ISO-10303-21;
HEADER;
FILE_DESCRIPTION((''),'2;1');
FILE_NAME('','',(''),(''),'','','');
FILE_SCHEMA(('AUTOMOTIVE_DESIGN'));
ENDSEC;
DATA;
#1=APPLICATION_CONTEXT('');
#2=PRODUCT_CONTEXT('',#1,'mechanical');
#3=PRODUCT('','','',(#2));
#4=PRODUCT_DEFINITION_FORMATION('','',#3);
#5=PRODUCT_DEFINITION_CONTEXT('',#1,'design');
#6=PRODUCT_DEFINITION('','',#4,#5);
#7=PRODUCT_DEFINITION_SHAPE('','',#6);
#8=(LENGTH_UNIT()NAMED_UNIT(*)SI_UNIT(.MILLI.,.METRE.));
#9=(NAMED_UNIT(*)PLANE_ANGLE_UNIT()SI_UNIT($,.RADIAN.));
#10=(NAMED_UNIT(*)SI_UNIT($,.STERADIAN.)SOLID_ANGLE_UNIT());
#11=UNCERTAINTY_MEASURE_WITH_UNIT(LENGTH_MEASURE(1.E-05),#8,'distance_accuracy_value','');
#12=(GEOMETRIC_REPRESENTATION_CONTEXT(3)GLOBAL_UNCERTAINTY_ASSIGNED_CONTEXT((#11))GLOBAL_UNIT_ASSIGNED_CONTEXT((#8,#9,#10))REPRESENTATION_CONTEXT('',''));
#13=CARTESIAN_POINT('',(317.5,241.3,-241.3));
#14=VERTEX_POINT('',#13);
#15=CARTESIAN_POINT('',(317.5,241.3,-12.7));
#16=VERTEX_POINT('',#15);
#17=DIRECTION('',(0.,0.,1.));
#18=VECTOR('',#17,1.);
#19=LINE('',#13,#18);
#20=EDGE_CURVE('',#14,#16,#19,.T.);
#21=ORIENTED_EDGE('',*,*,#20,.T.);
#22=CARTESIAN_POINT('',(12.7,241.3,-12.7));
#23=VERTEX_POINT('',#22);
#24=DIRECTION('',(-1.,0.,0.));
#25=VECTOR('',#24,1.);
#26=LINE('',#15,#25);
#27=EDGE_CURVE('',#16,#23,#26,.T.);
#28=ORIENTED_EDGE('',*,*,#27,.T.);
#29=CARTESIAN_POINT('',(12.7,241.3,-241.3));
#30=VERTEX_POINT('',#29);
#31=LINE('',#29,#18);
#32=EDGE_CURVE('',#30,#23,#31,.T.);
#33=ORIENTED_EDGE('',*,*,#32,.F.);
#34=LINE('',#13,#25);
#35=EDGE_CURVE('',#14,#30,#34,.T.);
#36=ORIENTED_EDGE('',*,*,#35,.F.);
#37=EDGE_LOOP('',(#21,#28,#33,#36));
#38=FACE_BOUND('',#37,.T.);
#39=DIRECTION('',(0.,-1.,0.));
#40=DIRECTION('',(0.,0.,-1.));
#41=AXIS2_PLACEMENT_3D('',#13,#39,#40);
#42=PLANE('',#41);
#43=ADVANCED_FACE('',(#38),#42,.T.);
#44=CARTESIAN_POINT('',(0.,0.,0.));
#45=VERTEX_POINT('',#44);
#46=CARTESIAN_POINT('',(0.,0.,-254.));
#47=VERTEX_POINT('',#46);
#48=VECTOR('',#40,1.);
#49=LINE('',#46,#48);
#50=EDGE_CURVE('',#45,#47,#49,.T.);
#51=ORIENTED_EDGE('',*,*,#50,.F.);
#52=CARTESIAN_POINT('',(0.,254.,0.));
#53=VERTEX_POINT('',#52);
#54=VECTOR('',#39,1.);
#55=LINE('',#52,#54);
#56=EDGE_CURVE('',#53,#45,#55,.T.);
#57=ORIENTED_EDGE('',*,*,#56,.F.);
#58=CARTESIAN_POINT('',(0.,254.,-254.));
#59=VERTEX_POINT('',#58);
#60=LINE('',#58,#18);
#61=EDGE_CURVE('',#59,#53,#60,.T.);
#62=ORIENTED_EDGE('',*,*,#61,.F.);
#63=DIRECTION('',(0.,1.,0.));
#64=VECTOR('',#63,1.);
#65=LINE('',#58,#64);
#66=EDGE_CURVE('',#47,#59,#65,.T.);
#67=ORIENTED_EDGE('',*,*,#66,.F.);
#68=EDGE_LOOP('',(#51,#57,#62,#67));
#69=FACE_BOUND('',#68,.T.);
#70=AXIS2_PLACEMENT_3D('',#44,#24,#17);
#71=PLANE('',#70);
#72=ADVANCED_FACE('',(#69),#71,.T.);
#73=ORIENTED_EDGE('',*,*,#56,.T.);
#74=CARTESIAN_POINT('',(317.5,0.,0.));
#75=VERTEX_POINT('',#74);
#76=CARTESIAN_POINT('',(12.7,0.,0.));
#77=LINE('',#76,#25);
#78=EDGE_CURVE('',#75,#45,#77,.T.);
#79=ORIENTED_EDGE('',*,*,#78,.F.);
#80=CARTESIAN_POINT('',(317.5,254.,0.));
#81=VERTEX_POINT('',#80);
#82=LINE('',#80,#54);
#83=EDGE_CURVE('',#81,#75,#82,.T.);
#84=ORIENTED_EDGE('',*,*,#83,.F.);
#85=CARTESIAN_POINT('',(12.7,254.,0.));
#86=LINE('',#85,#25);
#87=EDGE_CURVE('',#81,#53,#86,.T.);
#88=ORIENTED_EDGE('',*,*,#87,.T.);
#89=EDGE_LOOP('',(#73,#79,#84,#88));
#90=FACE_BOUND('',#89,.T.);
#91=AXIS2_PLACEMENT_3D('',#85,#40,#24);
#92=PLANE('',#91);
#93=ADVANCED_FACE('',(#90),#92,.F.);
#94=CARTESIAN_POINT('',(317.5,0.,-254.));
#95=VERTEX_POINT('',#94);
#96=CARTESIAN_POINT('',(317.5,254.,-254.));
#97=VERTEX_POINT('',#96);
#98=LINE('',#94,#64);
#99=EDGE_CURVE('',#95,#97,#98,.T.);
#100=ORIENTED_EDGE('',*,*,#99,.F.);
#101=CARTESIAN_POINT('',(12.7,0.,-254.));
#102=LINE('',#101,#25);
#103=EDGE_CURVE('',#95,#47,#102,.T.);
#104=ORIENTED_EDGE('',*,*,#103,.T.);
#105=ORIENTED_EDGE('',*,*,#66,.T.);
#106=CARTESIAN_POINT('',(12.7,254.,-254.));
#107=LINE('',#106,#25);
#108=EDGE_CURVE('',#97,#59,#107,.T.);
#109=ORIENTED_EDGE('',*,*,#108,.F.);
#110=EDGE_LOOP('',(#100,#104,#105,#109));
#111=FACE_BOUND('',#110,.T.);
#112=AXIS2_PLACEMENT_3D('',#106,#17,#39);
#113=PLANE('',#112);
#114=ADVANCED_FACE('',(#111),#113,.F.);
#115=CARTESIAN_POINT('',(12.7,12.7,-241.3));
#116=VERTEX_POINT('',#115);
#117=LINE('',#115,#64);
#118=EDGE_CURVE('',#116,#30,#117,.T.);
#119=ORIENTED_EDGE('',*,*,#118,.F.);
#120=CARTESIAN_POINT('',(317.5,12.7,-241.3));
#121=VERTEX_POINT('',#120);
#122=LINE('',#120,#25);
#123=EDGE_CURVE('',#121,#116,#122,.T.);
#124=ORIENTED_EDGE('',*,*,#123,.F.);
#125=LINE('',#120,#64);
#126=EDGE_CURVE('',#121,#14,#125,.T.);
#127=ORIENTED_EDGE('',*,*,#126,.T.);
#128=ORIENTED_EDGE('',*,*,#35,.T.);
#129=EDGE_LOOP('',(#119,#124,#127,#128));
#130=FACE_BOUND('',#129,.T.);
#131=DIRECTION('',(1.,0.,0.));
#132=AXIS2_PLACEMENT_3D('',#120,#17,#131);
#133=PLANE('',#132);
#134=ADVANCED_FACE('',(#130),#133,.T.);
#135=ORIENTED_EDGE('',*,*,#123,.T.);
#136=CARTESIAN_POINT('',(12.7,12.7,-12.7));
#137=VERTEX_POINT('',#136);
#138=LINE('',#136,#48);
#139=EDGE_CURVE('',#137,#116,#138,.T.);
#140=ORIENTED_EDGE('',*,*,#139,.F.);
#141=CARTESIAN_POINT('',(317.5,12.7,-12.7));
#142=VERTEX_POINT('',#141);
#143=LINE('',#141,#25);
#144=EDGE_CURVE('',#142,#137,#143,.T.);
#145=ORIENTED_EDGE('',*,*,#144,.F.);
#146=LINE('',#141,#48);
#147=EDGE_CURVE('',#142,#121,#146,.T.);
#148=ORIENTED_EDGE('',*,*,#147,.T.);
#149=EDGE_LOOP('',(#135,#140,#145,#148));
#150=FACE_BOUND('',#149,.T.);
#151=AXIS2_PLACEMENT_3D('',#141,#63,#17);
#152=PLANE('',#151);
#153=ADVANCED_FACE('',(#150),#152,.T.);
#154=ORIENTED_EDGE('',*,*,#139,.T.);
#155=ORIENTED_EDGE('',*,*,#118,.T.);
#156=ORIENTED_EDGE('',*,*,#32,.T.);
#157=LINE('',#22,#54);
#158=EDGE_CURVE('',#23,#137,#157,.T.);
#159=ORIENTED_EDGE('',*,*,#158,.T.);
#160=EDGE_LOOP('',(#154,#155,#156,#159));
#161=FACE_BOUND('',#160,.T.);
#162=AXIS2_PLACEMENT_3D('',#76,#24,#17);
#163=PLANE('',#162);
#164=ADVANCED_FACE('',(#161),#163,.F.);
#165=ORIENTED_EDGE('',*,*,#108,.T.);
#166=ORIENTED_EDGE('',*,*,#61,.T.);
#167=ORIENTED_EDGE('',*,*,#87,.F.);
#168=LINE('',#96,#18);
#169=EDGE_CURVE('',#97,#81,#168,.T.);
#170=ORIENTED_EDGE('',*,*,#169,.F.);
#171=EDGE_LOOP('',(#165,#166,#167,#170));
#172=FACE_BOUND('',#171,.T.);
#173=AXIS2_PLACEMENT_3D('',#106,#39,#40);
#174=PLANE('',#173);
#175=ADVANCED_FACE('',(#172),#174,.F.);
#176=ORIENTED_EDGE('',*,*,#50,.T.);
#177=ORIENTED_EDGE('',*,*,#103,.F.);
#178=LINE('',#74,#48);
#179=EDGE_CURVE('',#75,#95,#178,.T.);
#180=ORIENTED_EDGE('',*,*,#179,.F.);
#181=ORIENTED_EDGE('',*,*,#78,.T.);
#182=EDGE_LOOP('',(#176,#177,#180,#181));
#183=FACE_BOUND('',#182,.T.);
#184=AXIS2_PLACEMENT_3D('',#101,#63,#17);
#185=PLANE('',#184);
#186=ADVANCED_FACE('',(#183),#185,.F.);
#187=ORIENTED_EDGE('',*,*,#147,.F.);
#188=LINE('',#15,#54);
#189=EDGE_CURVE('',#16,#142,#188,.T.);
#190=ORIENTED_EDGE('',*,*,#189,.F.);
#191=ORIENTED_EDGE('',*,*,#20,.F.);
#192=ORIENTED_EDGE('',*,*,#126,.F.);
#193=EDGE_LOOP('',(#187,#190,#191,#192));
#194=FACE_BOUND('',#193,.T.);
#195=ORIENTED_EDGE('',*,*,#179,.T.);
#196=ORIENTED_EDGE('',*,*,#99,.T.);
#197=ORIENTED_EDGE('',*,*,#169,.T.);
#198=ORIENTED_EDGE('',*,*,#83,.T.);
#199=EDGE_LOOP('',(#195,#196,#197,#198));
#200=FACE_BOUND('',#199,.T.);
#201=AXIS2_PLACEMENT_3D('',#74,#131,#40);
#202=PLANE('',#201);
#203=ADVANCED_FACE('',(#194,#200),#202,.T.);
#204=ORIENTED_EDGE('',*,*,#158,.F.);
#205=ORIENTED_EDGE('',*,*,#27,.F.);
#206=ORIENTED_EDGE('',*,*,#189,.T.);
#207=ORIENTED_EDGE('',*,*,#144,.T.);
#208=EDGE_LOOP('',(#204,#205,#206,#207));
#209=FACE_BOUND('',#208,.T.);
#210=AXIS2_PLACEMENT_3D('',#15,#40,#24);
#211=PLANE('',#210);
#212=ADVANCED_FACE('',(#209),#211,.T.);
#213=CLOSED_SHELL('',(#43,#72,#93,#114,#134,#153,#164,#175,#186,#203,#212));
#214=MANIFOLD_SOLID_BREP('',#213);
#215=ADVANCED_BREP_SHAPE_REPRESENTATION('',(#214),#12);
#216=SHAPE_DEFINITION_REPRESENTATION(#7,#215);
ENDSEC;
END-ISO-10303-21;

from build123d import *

# Parameters (mm, degrees)
SKETCH1_W           = 254
SKETCH1_H           = 254
BOSS_EXTRUDE1_DEPTH = 12.7
SKETCH2_W           = 254
SKETCH2_H           = 254
SKETCH2_W_2         = 228.6
SKETCH2_H_2         = 228.6
BOSS_EXTRUDE2_DEPTH = 304.8


with BuildPart() as part:
    # Sketch1 → Boss-Extrude1 (new body)
    with BuildSketch(Plane(origin=(0, 0, 0), x_dir=(0, 0, -1), z_dir=(1, 0, 0))):
        with Locations((127, 127)):
            Rectangle(SKETCH1_W, SKETCH1_H)
    extrude(amount=BOSS_EXTRUDE1_DEPTH)

    # Sketch2 → Boss-Extrude2 (add)
    with BuildSketch(Plane(origin=(12.7, 0, 0), x_dir=(0, 0, -1), z_dir=(1, 0, 0))):
        with Locations((127, 127)):
            Rectangle(SKETCH2_W, SKETCH2_H)
        with Locations((127, 127)):
            Rectangle(SKETCH2_W_2, SKETCH2_H_2, mode=Mode.SUBTRACT)
    extrude(amount=BOSS_EXTRUDE2_DEPTH)


solid = part.part
